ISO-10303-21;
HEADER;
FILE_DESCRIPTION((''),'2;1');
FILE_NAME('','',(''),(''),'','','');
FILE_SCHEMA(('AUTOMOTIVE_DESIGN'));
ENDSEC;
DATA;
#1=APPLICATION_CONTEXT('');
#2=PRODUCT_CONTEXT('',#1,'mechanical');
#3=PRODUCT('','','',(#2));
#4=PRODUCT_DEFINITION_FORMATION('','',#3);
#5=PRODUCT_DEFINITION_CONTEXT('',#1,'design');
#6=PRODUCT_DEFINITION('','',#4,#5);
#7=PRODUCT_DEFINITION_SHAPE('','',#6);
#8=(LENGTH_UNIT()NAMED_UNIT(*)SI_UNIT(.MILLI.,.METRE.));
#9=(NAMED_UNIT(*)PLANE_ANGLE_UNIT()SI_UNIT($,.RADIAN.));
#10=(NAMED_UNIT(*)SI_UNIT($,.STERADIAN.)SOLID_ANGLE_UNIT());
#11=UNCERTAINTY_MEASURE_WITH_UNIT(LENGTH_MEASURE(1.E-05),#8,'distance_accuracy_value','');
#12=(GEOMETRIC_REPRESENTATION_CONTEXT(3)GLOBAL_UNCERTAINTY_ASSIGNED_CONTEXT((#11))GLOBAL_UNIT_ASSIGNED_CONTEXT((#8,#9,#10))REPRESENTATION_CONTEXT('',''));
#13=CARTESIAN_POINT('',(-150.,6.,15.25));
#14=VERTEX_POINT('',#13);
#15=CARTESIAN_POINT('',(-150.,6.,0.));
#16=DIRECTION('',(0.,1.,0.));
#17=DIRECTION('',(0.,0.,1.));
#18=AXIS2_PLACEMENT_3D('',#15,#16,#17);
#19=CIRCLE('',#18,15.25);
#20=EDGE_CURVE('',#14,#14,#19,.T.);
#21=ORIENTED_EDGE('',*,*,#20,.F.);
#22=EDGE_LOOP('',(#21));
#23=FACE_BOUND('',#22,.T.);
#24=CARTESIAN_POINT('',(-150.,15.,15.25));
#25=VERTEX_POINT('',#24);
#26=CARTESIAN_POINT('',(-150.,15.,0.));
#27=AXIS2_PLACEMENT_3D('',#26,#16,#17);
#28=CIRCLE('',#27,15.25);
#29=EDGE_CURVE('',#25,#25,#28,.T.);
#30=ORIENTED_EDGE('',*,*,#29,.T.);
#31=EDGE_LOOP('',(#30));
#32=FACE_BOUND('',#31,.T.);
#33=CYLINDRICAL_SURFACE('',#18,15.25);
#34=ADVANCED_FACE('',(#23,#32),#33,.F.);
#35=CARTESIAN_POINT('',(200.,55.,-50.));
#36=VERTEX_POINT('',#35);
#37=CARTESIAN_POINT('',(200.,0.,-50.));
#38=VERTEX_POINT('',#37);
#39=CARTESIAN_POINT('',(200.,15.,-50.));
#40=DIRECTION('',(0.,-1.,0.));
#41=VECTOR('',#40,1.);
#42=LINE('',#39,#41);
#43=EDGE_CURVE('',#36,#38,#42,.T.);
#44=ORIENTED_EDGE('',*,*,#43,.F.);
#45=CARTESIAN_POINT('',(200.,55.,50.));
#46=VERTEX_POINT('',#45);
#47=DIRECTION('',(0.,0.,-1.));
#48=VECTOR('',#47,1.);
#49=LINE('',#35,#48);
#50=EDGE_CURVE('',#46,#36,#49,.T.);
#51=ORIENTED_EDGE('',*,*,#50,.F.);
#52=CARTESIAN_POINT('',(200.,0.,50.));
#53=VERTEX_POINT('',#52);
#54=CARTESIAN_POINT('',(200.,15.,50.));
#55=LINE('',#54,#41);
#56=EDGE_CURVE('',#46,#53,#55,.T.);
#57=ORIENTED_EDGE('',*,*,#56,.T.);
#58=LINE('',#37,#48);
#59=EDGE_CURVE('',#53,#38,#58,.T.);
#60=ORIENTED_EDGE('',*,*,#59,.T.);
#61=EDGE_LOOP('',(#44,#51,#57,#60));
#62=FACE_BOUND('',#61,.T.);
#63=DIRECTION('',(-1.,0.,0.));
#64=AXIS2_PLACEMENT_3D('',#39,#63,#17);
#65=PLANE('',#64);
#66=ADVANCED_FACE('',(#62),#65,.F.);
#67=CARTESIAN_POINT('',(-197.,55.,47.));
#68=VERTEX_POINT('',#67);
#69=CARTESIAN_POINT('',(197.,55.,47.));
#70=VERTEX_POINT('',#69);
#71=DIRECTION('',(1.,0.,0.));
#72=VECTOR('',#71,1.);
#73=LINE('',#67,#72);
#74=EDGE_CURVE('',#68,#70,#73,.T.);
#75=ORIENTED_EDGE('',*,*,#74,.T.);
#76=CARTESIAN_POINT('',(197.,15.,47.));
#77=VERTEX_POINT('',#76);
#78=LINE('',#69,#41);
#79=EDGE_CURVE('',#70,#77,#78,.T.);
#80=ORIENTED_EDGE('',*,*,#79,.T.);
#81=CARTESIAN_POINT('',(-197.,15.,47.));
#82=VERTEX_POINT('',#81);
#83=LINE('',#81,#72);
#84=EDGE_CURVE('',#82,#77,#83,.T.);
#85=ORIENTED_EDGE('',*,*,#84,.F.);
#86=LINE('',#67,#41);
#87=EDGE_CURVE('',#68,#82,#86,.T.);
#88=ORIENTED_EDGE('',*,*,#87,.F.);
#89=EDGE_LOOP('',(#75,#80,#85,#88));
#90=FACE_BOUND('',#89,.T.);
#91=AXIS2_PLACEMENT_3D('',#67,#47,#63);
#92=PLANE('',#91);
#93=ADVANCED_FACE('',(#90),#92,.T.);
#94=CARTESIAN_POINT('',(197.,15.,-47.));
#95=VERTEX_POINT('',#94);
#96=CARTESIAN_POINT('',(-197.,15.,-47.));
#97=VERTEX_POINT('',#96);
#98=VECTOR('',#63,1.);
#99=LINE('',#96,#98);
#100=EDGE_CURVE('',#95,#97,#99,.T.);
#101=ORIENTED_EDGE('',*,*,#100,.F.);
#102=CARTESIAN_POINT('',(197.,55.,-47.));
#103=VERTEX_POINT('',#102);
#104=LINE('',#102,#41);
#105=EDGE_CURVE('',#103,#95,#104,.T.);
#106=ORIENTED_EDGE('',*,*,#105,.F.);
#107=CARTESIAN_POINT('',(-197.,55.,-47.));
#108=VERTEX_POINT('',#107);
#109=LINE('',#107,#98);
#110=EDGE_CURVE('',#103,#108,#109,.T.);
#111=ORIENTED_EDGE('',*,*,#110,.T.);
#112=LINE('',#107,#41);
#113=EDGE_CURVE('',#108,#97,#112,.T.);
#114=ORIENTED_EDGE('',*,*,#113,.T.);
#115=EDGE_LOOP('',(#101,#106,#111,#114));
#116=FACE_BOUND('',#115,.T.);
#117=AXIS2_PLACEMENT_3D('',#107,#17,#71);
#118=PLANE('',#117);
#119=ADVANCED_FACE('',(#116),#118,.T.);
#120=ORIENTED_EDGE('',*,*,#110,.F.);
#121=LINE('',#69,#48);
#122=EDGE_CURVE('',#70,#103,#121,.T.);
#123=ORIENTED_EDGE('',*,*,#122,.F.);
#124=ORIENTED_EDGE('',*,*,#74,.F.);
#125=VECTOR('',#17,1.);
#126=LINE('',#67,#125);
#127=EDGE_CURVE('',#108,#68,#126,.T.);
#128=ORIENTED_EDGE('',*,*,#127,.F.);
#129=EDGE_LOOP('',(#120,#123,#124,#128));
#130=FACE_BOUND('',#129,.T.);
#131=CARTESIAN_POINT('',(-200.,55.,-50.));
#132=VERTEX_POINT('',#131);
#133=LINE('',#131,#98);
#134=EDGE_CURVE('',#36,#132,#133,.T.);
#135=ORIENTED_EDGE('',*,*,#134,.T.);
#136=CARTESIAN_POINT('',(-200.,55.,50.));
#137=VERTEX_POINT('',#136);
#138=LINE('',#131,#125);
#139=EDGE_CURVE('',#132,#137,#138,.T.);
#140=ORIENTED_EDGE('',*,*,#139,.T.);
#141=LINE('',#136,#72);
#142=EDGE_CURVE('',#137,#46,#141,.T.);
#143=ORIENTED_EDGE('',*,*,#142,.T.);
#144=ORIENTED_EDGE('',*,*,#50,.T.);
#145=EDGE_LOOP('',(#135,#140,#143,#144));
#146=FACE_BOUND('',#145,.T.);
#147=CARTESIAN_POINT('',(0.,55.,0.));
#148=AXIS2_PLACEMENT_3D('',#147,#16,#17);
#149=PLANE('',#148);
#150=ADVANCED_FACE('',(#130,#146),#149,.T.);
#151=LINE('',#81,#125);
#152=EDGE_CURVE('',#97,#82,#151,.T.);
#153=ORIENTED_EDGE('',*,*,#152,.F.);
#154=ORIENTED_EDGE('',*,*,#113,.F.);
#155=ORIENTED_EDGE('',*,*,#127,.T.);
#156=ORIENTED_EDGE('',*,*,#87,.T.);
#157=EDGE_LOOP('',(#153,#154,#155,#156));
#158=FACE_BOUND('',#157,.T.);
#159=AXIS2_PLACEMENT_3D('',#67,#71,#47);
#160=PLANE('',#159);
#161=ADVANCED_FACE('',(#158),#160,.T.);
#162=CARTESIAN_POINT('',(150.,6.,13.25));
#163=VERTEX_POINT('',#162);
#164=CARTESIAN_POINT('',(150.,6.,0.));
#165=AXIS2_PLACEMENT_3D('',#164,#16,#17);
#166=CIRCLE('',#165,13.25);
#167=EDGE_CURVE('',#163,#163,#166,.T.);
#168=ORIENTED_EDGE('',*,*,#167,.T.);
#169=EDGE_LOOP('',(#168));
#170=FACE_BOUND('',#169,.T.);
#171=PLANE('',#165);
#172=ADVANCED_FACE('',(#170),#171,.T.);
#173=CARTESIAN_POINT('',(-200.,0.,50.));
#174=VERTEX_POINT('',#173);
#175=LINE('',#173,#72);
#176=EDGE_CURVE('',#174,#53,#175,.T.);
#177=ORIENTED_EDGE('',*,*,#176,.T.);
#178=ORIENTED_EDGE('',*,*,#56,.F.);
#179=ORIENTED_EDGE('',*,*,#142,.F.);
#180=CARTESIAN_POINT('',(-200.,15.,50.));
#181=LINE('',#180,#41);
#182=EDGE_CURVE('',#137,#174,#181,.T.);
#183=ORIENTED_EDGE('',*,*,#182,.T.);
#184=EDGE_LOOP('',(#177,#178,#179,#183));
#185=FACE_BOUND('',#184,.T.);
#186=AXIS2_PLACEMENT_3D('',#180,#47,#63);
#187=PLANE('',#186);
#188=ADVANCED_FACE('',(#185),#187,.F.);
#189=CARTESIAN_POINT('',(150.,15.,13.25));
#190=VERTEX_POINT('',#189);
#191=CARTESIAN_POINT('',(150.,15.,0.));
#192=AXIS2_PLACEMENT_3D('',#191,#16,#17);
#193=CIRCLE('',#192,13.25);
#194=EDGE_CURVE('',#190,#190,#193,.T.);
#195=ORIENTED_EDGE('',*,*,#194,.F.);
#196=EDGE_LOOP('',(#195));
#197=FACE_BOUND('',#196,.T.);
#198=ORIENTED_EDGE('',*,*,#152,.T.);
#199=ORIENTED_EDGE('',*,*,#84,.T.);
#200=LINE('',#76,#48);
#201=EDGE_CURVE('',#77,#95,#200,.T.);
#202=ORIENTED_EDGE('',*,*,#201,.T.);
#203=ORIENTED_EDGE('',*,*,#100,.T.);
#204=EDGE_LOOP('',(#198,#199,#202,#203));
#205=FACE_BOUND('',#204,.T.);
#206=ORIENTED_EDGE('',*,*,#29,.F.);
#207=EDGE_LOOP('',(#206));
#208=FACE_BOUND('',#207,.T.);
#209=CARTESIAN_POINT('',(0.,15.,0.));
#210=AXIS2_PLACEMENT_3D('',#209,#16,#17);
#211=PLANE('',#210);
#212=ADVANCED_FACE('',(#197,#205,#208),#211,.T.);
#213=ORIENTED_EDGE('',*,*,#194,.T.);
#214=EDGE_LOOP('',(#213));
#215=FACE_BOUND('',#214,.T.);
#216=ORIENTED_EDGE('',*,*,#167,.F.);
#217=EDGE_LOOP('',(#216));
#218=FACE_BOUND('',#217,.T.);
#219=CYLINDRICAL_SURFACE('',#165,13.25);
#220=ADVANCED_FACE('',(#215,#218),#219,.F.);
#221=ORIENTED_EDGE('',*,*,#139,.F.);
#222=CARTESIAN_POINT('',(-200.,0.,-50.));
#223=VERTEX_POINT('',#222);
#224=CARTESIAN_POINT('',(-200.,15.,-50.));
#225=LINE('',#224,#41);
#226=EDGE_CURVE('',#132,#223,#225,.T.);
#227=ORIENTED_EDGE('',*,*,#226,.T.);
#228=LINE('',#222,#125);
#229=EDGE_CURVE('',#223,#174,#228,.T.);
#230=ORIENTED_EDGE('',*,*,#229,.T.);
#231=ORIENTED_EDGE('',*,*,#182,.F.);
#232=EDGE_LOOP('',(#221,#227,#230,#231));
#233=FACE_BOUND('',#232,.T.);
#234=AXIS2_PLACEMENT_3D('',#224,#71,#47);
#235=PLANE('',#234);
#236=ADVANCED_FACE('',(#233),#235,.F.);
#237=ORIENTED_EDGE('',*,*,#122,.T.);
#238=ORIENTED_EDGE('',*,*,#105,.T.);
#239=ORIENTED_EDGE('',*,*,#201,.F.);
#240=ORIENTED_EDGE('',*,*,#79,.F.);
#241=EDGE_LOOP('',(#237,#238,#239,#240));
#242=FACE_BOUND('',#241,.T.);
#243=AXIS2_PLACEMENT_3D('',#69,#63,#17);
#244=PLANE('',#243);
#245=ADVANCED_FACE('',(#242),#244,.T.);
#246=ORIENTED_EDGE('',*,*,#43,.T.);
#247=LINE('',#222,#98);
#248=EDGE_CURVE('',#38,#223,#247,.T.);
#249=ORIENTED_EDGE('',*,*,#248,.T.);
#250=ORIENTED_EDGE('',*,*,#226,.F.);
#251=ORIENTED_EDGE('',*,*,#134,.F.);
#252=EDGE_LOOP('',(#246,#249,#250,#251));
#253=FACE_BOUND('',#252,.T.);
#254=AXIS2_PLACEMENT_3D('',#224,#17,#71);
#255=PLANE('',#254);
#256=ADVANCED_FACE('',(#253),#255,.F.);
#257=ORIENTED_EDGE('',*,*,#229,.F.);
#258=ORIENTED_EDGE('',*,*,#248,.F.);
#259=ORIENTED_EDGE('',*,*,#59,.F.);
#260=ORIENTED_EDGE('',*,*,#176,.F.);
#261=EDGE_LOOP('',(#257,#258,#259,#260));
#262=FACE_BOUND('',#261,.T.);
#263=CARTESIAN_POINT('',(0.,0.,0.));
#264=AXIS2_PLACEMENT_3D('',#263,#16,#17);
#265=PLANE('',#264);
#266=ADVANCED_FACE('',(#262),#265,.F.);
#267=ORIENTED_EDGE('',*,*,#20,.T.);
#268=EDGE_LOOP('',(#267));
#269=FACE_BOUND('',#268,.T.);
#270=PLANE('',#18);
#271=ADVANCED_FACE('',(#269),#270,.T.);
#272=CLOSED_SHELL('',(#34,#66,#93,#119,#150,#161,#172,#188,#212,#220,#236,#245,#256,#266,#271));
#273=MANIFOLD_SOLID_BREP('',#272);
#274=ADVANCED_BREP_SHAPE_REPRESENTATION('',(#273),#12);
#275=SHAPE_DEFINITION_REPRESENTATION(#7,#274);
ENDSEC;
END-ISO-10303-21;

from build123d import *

# Parameters (mm, degrees)
SKETCH1_W           = 400
SKETCH1_H           = 100
BOSS_EXTRUDE1_DEPTH = 15
SKETCH2_R           = 15.25
SKETCH2_R_2         = 13.25
CUT_EXTRUDE1_DEPTH  = 9
SKETCH3_W           = 400
SKETCH3_H           = 100
SKETCH3_W_2         = 394
SKETCH3_H_2         = 94
BOSS_EXTRUDE2_DEPTH = 40


with BuildPart() as part:
    # Sketch1 → Boss-Extrude1 (new body)
    with BuildSketch(Plane(origin=(0, 0, 0), x_dir=(1, 0, 0), z_dir=(0, 1, 0))):
        Rectangle(SKETCH1_W, SKETCH1_H)
    extrude(amount=BOSS_EXTRUDE1_DEPTH)

    # Sketch2 → Cut-Extrude1 (cut)
    with BuildSketch(Plane(origin=(0, 15, 0), x_dir=(1, 0, 0), z_dir=(0, 1, 0))):
        with Locations(Location((-150, 0, 0), (0, 0, 270))):
            Circle(SKETCH2_R)
        with Locations(Location((150, 0, 0), (0, 0, 270))):
            Circle(SKETCH2_R_2)
    extrude(amount=-CUT_EXTRUDE1_DEPTH, mode=Mode.SUBTRACT)

    # Sketch3 → Boss-Extrude2 (add)
    with BuildSketch(Plane(origin=(0, 15, 0), x_dir=(1, 0, 0), z_dir=(0, 1, 0))):
        Rectangle(SKETCH3_W, SKETCH3_H)
        Rectangle(SKETCH3_W_2, SKETCH3_H_2, mode=Mode.SUBTRACT)
    extrude(amount=BOSS_EXTRUDE2_DEPTH)


solid = part.part
